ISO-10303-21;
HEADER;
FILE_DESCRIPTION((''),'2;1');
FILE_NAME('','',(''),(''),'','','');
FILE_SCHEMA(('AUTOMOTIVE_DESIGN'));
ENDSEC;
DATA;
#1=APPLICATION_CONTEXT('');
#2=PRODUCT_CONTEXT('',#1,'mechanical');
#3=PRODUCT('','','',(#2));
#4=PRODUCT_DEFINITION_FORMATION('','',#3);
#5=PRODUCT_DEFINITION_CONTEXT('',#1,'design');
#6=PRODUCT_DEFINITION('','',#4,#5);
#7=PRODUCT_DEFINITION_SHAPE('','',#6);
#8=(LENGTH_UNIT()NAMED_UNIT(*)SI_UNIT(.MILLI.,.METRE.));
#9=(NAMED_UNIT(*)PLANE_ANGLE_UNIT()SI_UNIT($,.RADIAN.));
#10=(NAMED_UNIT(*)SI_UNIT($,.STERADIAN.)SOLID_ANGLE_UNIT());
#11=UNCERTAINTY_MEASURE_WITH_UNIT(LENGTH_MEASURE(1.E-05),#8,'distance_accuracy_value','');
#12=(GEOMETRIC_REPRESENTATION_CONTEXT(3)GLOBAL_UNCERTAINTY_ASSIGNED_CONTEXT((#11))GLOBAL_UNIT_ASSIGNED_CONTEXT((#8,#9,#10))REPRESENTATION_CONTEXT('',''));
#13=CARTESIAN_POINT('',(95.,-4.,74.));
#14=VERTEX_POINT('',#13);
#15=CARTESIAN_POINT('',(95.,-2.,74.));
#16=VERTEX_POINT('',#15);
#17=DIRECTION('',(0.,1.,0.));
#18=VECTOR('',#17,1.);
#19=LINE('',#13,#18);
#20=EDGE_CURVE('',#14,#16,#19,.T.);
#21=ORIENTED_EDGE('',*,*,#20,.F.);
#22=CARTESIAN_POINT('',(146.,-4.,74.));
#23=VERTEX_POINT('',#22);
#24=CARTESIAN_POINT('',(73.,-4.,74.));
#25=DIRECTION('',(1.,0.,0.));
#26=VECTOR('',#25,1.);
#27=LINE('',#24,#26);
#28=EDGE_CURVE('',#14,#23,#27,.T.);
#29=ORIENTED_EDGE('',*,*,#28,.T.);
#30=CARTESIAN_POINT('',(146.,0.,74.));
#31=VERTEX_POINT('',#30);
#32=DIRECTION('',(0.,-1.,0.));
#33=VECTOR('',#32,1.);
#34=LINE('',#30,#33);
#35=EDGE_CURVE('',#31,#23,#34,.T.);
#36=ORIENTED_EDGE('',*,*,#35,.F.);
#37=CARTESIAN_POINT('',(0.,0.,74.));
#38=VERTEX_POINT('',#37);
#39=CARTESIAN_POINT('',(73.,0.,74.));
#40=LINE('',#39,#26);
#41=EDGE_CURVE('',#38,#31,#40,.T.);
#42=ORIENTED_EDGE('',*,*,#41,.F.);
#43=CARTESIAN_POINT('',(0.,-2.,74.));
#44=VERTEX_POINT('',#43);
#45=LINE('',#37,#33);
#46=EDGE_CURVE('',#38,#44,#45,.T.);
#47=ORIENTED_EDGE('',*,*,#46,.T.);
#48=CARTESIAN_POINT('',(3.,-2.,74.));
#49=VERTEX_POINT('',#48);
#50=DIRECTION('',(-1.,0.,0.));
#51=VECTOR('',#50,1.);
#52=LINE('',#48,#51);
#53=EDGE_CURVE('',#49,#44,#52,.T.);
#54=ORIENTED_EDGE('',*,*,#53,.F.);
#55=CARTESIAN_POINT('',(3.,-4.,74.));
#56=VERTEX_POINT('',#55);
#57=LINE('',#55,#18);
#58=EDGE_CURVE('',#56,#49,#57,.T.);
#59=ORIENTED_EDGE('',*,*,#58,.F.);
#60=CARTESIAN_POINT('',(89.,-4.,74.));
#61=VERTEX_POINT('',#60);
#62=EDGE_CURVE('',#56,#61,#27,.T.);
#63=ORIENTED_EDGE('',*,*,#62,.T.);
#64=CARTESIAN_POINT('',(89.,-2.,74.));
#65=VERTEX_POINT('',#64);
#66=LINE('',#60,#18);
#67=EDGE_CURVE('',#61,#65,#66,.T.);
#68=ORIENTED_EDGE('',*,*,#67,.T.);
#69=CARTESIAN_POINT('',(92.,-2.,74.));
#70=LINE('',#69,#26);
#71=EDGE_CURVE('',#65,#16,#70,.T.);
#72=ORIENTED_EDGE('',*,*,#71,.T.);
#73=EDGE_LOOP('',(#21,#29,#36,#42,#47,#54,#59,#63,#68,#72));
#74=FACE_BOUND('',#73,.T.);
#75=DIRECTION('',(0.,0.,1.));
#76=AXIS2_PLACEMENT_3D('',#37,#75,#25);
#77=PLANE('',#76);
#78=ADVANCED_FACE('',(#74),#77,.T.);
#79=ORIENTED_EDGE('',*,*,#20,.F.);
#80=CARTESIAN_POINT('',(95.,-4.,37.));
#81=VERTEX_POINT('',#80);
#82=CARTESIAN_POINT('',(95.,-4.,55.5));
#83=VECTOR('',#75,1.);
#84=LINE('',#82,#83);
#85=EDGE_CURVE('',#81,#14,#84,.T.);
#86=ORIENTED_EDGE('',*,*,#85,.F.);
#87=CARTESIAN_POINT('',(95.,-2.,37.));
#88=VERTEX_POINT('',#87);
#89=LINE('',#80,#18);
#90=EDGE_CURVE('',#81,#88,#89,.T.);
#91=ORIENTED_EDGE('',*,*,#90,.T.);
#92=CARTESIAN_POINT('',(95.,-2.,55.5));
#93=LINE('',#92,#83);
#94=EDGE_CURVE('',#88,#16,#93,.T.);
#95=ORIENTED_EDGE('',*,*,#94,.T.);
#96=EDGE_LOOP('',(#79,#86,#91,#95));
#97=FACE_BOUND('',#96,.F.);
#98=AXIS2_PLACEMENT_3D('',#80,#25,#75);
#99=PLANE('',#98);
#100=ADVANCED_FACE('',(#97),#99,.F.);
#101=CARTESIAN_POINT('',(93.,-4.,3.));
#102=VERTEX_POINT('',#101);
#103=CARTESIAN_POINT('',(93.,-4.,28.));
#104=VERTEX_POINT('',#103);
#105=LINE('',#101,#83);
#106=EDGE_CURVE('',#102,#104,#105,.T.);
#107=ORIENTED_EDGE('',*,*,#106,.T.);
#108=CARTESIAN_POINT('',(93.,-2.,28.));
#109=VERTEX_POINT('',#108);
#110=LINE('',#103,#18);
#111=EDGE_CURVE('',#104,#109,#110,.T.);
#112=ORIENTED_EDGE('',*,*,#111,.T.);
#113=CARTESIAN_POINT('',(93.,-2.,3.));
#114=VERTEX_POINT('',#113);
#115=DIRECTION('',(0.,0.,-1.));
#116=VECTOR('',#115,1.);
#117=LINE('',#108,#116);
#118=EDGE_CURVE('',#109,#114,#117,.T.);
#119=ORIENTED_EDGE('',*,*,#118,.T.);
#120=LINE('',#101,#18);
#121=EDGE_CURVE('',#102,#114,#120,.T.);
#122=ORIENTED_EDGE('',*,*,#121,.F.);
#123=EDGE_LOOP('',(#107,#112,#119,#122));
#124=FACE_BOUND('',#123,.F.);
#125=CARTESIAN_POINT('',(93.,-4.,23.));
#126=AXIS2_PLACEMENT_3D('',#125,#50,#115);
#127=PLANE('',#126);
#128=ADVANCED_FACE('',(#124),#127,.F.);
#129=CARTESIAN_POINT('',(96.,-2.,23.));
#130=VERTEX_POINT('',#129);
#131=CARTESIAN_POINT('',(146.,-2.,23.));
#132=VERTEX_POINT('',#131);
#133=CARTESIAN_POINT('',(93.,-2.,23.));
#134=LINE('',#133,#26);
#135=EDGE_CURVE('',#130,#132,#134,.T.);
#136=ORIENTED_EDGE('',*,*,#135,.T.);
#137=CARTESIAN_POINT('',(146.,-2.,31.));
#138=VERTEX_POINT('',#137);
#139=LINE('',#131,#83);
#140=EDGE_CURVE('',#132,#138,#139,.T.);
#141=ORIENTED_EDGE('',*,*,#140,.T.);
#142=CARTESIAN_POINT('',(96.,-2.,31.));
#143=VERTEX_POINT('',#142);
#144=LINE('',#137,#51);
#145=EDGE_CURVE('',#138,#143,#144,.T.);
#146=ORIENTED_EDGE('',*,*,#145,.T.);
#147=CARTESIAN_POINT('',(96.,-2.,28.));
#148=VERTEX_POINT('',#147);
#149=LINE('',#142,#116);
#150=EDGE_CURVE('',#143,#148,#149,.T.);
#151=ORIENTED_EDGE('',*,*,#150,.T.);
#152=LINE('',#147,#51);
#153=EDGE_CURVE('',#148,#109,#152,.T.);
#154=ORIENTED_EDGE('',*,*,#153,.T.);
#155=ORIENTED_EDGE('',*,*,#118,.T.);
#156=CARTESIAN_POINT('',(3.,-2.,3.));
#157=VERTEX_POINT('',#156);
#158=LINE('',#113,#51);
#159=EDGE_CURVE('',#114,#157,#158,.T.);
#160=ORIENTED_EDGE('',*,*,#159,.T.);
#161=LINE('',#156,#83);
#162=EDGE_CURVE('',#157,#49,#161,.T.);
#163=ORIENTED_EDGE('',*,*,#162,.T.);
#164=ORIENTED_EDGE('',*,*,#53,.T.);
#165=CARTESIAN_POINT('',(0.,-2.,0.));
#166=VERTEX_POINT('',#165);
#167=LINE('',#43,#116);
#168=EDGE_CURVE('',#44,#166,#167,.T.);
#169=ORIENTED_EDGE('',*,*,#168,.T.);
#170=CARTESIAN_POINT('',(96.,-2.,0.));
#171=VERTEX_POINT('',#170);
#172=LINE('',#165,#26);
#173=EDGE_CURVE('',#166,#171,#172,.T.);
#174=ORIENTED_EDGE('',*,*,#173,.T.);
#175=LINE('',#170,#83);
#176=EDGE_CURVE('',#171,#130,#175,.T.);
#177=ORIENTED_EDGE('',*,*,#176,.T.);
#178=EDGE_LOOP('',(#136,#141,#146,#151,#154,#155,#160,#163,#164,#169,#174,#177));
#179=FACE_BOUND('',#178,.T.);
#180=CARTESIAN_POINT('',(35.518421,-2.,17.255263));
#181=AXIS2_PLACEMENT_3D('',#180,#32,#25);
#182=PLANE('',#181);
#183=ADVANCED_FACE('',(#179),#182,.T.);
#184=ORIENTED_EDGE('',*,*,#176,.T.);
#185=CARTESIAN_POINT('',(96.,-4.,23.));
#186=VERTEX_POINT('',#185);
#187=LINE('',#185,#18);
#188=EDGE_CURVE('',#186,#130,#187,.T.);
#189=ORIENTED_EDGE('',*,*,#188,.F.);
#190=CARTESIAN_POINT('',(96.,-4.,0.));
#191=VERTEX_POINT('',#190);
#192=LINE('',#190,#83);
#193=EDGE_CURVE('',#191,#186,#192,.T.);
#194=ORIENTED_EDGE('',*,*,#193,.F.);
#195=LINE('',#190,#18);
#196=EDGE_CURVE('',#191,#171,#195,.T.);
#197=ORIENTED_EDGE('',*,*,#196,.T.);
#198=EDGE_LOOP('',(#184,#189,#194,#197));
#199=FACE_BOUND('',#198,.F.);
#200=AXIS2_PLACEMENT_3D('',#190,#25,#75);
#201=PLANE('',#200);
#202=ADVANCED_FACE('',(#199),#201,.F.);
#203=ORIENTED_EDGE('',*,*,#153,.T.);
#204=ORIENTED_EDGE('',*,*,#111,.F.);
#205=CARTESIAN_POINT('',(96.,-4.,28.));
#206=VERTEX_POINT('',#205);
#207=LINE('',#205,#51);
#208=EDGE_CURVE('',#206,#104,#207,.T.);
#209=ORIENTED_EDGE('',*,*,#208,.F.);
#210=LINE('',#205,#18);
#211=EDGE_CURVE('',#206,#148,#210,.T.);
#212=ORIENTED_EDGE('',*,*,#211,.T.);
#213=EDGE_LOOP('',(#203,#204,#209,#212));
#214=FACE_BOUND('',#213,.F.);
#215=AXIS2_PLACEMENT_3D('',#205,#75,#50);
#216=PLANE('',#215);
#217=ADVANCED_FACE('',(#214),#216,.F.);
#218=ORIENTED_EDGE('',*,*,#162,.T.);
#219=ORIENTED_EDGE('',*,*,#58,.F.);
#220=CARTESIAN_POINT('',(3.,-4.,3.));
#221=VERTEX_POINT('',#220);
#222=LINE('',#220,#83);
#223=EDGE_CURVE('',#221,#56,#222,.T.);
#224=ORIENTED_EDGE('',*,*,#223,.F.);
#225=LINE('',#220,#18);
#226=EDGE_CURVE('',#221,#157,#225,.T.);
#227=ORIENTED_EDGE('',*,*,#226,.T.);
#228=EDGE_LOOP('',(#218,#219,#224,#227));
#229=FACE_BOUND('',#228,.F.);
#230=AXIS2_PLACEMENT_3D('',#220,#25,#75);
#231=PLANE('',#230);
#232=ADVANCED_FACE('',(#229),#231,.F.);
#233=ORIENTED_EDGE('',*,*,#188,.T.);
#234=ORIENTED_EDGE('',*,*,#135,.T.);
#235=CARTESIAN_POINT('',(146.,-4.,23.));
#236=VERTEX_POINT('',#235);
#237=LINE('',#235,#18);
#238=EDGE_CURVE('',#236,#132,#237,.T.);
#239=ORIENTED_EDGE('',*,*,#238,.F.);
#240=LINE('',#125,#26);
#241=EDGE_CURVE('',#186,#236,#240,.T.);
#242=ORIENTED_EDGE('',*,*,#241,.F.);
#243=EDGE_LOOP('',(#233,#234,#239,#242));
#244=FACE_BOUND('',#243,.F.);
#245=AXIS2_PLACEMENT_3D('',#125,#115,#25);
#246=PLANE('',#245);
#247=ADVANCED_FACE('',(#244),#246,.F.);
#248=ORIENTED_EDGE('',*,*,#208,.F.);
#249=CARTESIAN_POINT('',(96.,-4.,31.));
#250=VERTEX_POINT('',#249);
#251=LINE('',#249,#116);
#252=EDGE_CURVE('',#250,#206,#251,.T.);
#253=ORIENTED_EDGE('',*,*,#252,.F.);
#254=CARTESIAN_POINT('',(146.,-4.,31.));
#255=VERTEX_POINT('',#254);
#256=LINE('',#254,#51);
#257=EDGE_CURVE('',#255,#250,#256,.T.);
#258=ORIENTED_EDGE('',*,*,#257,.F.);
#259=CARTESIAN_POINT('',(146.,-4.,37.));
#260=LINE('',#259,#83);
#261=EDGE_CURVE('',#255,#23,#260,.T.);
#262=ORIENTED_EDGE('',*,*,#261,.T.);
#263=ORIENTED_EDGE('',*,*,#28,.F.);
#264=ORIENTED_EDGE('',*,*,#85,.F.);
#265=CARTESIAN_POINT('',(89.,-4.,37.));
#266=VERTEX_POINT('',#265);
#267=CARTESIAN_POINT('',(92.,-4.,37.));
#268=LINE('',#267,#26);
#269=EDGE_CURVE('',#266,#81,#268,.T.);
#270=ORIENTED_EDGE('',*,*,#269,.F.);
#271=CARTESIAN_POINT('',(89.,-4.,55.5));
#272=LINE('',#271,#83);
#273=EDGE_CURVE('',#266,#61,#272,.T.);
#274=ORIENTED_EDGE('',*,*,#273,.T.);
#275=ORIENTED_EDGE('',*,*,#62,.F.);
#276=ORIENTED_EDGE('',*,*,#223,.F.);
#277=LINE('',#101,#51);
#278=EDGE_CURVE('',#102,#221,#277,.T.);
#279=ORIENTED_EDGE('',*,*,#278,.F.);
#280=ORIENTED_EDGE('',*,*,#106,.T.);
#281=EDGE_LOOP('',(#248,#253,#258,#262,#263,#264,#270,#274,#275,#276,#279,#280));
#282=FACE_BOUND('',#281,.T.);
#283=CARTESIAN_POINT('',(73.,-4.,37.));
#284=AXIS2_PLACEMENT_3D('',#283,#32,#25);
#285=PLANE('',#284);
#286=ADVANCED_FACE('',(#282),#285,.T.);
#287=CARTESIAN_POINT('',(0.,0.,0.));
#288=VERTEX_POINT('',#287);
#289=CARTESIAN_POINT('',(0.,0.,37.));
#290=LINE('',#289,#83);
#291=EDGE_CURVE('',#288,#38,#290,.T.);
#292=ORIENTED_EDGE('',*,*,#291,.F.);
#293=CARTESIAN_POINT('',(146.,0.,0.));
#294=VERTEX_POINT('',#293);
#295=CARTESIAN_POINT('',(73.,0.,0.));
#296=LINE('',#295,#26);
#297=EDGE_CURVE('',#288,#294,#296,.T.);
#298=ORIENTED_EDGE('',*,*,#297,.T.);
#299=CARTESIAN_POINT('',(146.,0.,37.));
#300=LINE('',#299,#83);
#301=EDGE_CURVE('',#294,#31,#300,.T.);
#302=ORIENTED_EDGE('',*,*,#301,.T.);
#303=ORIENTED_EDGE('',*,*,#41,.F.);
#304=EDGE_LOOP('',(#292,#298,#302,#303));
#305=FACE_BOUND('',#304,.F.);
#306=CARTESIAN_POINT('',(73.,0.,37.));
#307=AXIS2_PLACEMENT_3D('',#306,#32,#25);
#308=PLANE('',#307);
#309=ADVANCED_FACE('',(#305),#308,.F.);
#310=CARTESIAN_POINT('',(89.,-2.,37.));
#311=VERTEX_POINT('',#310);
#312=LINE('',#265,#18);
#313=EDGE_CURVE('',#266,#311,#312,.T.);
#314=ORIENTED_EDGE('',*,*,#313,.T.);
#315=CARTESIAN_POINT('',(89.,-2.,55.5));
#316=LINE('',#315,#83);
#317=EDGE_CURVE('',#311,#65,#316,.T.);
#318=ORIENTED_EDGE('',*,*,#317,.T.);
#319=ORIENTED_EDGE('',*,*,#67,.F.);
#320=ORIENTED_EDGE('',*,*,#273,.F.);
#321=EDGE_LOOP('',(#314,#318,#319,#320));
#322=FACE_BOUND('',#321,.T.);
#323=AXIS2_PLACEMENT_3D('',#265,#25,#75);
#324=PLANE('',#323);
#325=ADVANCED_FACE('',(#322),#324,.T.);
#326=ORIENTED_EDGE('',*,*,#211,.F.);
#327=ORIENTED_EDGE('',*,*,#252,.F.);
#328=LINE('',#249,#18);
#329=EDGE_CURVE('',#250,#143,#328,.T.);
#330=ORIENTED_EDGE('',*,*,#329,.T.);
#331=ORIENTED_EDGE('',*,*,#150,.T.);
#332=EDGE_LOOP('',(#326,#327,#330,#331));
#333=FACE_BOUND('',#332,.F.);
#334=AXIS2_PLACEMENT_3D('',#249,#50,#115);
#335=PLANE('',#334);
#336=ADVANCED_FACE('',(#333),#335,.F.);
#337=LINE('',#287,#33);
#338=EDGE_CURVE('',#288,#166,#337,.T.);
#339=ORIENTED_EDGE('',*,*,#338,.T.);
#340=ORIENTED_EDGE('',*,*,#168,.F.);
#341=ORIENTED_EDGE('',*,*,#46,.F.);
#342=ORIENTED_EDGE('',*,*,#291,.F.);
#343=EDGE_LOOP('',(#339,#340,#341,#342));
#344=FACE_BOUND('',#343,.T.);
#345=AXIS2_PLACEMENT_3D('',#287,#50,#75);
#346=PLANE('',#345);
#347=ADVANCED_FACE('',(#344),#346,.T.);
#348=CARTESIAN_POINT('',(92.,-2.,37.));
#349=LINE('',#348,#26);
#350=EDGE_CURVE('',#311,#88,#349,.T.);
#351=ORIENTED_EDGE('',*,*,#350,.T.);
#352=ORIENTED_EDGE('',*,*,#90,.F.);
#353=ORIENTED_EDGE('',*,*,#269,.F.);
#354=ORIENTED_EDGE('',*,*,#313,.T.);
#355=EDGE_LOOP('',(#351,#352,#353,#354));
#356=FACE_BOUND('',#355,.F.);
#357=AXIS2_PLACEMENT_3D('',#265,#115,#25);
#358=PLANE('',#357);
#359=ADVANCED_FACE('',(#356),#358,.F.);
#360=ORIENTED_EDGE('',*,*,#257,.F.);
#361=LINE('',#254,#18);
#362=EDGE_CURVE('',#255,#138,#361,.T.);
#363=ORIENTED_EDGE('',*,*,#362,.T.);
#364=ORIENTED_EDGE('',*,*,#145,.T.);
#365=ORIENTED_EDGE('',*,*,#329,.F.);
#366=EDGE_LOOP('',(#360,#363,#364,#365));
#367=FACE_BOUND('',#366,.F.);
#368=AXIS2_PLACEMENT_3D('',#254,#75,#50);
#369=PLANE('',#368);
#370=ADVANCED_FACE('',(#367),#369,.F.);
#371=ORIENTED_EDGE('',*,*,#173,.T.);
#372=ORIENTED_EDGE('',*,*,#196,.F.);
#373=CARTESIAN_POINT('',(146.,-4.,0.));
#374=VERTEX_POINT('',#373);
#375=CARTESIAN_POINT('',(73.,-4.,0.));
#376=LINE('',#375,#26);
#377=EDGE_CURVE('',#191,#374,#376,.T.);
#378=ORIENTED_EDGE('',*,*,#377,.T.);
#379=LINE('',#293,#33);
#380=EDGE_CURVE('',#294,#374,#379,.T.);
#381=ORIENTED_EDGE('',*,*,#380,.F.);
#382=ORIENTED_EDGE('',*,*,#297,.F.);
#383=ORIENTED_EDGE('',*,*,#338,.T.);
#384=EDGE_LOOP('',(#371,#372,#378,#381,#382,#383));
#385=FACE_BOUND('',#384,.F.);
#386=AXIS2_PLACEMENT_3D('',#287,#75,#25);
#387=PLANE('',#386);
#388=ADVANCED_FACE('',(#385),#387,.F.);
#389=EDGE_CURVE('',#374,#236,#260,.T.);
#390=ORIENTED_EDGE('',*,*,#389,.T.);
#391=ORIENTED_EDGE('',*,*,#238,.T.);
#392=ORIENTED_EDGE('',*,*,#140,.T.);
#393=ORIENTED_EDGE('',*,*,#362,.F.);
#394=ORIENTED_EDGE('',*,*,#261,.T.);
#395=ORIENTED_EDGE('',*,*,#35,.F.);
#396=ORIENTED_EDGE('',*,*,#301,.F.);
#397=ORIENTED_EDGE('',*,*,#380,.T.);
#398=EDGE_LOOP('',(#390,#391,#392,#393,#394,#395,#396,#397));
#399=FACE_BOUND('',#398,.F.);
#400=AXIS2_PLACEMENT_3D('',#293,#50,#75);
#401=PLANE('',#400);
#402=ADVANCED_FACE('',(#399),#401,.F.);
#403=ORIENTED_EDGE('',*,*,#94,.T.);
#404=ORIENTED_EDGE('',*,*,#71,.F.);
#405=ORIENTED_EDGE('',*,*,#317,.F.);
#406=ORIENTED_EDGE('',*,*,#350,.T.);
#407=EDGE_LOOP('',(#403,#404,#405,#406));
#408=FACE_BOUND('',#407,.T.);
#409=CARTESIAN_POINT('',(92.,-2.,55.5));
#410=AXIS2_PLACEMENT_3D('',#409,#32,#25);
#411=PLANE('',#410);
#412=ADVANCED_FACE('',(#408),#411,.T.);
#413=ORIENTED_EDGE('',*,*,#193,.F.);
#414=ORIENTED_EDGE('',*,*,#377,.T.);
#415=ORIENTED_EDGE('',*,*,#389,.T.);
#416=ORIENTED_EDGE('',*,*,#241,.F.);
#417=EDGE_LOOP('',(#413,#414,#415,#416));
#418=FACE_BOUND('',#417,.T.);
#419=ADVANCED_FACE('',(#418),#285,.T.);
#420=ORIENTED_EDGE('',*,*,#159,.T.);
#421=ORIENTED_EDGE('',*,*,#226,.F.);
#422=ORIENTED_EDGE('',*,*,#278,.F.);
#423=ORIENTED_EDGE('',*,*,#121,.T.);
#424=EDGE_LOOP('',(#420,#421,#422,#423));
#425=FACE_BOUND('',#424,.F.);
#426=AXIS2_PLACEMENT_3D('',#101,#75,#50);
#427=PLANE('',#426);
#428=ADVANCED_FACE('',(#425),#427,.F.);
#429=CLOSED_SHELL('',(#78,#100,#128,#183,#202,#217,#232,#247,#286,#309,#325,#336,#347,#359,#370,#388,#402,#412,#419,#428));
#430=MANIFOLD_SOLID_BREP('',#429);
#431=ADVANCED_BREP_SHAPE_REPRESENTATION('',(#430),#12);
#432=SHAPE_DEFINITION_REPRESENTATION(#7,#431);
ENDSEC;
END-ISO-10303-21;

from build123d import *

# Parameters (mm, degrees)
F0_W     = 146
F0_H     = 74
F1_DEPTH = 4
F3_DEPTH = 2
F2_W     = 6
F2_H     = 37
F4_DEPTH = 2
F5_DEPTH = 2


with BuildPart() as f1:
    # F0 (on Front) → F1 (new body)
    with BuildSketch(Plane.XZ):
        with Locations((73, 37)):
            Rectangle(F0_W, F0_H)
    extrude(amount=F1_DEPTH)

    # F2 (on face) → F3 (cut)
    with BuildSketch(Plane.XZ.offset(4)):
        Polygon((3, 3), (3, 74), (0, 74), (0, 0), (96, 0), (96, 23), (93, 23), (93, 3), align=None)
    extrude(amount=-F3_DEPTH, mode=Mode.SUBTRACT)

    # F2 (on face) → F4 (cut)
    with BuildSketch(Plane.XZ.offset(4)):
        with Locations((92, 55.5)):
            Rectangle(F2_W, F2_H)
    extrude(amount=-F4_DEPTH, mode=Mode.SUBTRACT)

    # F2 (on face) → F5 (cut)
    with BuildSketch(Plane.XZ.offset(4)):
        Polygon((93, 28), (93, 23), (96, 23), (146, 23), (146, 31), (96, 31), (96, 28), align=None)
    extrude(amount=-F5_DEPTH, mode=Mode.SUBTRACT)


solid = f1.part
